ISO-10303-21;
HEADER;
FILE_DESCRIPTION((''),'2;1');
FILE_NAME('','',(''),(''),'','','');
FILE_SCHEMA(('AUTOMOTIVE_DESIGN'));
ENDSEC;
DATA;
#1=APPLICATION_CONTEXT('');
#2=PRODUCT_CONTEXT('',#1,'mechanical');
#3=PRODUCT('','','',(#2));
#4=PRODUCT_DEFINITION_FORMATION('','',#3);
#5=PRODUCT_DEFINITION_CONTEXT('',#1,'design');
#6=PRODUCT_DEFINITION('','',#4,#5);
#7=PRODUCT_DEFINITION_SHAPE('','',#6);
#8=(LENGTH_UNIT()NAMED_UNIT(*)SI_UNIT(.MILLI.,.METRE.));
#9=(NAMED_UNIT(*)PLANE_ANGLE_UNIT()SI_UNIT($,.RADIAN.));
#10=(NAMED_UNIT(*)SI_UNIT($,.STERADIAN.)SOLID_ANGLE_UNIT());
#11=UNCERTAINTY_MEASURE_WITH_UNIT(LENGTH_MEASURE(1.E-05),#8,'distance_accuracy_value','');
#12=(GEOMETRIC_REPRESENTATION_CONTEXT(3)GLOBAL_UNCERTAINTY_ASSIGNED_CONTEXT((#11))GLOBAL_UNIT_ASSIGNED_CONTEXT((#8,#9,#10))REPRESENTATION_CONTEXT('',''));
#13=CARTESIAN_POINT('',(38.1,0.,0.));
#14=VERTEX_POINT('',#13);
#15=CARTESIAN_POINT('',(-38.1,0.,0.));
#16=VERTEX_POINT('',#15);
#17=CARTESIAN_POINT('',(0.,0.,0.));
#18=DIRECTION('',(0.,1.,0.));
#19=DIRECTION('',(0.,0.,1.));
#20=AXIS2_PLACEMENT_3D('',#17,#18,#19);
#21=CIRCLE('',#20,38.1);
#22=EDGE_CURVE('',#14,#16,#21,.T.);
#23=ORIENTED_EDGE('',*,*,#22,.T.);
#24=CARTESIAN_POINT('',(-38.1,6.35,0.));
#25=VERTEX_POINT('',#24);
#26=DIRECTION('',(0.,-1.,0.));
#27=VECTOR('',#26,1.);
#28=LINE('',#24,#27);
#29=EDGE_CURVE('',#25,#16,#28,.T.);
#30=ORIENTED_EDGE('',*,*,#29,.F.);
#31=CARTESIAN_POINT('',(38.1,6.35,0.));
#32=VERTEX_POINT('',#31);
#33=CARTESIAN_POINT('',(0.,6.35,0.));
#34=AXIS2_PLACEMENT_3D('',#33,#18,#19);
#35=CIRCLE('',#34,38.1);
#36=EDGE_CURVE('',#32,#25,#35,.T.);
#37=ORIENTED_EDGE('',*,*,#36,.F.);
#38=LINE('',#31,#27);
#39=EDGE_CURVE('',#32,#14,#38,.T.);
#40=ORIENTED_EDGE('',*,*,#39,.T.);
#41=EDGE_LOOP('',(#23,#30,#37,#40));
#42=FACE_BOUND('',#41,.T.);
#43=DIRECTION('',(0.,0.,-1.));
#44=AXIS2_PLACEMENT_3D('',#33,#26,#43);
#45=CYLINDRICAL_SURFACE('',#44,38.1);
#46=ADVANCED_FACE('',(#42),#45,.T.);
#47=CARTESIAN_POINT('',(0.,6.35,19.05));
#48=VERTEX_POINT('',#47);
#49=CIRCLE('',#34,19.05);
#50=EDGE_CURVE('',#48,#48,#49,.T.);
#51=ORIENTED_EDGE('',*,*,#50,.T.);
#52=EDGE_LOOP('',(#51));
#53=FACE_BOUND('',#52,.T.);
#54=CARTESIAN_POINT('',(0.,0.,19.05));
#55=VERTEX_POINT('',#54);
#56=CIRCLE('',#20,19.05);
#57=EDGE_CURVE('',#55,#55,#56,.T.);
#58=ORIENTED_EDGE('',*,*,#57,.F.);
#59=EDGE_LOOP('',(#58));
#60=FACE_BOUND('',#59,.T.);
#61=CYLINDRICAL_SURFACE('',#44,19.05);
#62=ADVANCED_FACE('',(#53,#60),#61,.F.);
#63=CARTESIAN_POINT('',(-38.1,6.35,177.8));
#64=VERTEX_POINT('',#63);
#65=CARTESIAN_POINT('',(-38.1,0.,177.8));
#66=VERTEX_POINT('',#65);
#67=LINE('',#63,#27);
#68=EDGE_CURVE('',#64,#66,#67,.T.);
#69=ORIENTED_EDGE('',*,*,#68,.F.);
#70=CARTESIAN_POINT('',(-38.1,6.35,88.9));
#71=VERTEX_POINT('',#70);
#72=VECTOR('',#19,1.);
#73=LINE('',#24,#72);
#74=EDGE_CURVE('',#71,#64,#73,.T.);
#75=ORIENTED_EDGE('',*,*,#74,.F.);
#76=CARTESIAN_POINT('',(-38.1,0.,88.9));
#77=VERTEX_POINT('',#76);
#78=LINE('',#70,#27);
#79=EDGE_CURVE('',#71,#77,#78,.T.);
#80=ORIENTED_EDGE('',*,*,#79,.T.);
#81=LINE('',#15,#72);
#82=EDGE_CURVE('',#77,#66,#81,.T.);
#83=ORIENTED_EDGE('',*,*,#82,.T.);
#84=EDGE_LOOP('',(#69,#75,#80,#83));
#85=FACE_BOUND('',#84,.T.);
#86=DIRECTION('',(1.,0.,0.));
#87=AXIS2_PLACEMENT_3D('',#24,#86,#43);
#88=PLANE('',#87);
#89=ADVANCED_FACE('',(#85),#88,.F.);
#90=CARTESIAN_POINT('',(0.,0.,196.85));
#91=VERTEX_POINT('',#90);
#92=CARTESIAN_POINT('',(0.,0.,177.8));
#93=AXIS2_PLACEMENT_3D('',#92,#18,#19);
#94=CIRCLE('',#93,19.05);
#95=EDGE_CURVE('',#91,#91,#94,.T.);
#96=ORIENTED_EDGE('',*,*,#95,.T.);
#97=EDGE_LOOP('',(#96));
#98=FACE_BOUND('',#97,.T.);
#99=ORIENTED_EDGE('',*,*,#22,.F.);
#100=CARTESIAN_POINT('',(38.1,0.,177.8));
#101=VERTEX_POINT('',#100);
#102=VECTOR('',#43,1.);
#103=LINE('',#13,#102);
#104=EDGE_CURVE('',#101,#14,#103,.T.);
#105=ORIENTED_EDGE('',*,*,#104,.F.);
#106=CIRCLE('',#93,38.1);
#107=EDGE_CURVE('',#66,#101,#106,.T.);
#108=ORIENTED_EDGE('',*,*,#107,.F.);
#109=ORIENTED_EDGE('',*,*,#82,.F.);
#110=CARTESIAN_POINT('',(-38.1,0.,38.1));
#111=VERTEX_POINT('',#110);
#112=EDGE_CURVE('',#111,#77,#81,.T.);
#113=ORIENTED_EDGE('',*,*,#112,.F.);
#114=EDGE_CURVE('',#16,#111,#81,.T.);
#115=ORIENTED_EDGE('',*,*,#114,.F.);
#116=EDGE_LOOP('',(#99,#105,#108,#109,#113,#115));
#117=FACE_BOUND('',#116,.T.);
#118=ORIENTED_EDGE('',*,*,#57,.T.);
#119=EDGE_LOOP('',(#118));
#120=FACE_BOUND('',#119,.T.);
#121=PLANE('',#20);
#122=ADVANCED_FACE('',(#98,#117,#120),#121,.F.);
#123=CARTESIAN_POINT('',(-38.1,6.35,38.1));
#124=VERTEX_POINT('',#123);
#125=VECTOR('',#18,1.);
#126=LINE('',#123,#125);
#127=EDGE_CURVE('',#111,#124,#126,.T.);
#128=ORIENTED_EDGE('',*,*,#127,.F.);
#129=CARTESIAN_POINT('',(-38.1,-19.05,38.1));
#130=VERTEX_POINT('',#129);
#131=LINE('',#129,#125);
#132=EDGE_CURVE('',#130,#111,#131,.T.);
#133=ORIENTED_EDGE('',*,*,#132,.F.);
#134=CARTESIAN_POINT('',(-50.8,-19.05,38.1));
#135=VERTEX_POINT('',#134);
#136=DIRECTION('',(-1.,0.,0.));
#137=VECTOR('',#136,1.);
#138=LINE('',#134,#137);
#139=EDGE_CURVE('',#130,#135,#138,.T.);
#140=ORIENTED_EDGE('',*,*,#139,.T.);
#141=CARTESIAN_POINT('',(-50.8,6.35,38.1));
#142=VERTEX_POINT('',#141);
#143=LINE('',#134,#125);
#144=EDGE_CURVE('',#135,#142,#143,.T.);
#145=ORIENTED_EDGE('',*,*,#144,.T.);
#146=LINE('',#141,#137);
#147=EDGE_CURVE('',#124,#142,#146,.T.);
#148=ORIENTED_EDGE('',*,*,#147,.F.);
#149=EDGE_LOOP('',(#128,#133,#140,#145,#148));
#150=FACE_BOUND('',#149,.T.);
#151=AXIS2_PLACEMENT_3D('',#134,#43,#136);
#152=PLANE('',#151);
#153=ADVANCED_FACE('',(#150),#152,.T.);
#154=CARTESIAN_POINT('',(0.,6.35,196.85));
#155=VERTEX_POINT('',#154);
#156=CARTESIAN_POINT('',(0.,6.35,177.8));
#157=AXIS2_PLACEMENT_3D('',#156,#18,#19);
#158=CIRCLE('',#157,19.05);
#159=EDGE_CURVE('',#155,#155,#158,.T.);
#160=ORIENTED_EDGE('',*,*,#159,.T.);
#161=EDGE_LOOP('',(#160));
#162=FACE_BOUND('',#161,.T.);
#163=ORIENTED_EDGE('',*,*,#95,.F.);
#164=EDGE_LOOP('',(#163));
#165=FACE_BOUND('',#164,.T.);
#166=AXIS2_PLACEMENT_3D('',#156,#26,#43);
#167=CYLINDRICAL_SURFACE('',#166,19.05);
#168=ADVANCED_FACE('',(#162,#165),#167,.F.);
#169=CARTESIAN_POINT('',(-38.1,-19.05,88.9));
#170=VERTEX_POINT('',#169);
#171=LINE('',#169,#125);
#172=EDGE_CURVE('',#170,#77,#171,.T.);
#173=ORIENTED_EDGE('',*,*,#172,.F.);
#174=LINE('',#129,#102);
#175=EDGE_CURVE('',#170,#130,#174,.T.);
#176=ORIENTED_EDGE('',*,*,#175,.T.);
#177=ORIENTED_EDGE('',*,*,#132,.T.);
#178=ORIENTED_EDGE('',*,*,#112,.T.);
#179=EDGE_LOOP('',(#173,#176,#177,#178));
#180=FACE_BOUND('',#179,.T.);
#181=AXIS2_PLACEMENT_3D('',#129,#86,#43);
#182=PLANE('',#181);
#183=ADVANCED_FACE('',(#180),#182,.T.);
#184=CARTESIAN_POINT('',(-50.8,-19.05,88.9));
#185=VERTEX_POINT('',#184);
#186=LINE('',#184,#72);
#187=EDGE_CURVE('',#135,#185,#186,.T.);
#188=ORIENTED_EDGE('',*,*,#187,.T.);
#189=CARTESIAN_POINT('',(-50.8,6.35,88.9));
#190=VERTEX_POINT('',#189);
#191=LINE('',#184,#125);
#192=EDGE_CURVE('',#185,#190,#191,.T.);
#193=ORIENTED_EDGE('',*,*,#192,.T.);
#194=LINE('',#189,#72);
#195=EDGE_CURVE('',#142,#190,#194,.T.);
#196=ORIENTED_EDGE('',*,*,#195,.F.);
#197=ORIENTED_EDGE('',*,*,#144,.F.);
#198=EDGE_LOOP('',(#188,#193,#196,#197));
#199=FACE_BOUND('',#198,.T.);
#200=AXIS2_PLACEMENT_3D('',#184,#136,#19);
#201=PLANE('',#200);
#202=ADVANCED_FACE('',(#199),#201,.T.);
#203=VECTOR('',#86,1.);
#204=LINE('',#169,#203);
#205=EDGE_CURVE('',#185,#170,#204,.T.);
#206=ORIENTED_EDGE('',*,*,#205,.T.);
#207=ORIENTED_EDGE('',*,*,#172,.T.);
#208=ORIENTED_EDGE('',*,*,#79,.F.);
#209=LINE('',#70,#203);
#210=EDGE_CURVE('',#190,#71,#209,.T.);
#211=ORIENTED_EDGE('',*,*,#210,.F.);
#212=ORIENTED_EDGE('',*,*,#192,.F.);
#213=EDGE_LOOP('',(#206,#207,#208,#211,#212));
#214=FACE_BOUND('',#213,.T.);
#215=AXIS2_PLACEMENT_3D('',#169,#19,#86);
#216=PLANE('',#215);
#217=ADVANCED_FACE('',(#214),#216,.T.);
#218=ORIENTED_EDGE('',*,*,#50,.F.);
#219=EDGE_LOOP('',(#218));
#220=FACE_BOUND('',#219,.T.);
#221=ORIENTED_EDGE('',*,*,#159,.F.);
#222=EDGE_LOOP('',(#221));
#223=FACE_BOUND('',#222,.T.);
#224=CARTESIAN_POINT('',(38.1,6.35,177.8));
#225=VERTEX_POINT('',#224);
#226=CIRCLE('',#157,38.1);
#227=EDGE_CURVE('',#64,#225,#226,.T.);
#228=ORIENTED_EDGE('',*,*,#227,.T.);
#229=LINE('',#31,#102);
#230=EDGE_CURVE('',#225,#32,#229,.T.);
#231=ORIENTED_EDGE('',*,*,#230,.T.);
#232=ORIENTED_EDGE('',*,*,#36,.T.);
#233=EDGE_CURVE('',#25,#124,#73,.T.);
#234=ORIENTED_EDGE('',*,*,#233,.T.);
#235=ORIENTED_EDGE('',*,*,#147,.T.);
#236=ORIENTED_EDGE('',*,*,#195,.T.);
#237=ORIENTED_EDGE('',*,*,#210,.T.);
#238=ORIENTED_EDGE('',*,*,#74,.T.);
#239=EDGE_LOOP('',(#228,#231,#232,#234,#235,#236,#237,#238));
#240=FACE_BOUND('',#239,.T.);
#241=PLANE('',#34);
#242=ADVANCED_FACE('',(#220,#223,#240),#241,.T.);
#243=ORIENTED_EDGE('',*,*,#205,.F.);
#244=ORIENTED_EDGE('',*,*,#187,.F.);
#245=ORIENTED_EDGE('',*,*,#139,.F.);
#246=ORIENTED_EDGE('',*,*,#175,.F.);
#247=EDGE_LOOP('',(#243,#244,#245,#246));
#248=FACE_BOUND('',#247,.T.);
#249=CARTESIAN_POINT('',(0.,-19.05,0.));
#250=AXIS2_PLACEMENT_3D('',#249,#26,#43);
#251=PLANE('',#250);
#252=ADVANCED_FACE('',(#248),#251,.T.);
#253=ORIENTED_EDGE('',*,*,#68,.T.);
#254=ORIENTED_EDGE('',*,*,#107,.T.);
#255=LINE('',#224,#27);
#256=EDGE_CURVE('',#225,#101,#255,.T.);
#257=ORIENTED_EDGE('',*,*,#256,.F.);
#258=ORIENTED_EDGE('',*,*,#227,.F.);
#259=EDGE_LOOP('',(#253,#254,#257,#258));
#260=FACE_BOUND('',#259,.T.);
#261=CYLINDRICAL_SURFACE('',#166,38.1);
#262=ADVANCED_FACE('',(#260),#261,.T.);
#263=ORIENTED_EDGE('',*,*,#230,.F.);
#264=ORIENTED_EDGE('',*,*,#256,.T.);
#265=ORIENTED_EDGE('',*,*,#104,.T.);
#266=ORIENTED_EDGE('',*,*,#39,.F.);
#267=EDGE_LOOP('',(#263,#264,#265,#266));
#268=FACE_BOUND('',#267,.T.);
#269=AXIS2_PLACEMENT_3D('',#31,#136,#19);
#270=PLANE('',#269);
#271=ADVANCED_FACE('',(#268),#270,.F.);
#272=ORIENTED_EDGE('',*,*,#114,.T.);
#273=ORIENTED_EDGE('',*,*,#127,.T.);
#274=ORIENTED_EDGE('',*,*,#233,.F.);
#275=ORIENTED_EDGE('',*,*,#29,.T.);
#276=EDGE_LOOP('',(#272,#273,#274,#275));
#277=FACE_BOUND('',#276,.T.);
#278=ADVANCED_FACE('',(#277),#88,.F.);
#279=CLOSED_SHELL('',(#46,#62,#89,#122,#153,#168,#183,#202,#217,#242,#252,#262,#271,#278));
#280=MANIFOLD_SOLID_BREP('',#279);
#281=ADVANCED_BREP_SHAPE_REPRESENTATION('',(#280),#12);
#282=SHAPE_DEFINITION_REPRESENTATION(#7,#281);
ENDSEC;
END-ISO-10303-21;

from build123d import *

# Parameters (mm, degrees)
SKETCH1_R           = 19.05
BOSS_EXTRUDE1_DEPTH = 6.35
SKETCH2_W           = 12.7
SKETCH2_H           = 50.8
BOSS_EXTRUDE4_DEPTH = 25.4


with BuildPart() as part:
    # Sketch1 → Boss-Extrude1 (new body)
    with BuildSketch(Plane(origin=(0, 0, 0), x_dir=(1, 0, 0), z_dir=(0, 1, 0))):
        with BuildLine():
            Line((-38.1, 0), (-38.1, -177.8))
            ThreePointArc((-38.1, -177.8), (0, -215.9), (38.1, -177.8))
            Line((38.1, -177.8), (38.1, 0))
            ThreePointArc((38.1, 0), (0, 38.1), (-38.1, 0))
        make_face()
        with Locations(Location((0, 0, 0), (0, 0, 270))):
            Circle(SKETCH1_R, mode=Mode.SUBTRACT)
        with Locations(Location((0, -177.8, 0), (0, 0, 270))):
            Circle(SKETCH1_R, mode=Mode.SUBTRACT)
    extrude(amount=BOSS_EXTRUDE1_DEPTH)

    # Sketch2 → Boss-Extrude4 (add)
    with BuildSketch(Plane(origin=(0, 6.35, 0), x_dir=(1, 0, 0), z_dir=(0, 1, 0))):
        with Locations((-44.45, -63.5)):
            Rectangle(SKETCH2_W, SKETCH2_H)
    extrude(amount=-BOSS_EXTRUDE4_DEPTH)


solid = part.part
